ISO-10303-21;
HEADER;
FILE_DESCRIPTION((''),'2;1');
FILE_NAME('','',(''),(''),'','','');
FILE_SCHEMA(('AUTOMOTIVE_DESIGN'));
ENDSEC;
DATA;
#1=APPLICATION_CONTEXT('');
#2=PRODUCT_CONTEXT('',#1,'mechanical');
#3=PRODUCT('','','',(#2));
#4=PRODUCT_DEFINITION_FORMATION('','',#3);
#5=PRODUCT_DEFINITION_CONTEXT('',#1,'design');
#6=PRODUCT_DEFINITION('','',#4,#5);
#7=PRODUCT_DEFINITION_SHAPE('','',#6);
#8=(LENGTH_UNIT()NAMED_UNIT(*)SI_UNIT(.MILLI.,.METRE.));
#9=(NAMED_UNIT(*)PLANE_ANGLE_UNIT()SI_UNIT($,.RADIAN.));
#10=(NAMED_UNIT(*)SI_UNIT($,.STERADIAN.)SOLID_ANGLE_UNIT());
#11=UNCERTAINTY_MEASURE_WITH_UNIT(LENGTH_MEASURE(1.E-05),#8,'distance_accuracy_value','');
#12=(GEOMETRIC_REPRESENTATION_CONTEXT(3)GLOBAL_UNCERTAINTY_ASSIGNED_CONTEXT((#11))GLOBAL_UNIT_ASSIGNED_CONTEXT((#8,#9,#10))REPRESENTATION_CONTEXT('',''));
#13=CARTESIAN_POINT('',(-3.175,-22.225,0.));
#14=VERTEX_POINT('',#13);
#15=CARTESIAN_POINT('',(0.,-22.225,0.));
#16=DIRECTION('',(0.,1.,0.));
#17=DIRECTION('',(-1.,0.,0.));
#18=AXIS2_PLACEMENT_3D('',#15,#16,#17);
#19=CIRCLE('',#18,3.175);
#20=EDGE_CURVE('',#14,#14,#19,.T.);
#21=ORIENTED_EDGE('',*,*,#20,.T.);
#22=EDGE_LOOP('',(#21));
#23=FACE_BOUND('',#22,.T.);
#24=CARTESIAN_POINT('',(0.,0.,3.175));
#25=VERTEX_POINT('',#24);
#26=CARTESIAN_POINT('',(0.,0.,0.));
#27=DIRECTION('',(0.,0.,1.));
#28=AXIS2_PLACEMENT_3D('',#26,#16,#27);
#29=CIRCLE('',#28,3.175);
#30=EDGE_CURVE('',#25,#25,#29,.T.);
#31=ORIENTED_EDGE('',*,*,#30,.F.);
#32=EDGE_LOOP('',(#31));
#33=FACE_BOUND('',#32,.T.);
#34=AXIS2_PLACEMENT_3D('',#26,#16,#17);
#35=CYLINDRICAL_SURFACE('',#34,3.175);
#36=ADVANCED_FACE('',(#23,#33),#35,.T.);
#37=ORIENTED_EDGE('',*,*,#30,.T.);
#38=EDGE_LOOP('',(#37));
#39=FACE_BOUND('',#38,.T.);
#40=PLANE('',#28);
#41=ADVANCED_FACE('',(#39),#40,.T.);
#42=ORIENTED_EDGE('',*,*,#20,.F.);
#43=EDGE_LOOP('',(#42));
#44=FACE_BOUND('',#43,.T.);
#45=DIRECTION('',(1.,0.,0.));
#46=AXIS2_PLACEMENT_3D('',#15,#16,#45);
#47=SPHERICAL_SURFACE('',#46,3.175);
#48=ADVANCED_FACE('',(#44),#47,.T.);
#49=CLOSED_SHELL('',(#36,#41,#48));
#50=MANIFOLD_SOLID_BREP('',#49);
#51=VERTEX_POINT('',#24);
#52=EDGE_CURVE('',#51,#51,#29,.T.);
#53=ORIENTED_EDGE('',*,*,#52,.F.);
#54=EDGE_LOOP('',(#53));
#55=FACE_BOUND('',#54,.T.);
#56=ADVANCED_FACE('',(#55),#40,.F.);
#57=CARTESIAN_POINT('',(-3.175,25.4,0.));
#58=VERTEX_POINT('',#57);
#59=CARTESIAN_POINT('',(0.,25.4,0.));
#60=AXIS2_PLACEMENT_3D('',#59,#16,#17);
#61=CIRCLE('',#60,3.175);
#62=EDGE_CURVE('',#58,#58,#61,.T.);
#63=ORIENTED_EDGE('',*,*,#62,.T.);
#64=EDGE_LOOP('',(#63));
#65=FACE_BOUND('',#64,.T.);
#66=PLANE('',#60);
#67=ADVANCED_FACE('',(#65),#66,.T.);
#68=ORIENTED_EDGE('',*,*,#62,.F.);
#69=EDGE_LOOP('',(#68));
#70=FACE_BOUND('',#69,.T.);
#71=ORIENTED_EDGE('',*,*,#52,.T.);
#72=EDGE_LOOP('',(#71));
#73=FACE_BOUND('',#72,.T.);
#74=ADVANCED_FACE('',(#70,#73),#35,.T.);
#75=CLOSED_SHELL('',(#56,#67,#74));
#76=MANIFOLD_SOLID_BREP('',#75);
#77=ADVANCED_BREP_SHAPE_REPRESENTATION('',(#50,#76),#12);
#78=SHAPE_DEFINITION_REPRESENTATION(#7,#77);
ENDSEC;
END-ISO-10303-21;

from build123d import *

# Parameters (mm, degrees)
SKETCH3_R           = 3.175
BOSS_EXTRUDE1_DEPTH = 25.4


with BuildPart() as part:
    # Sketch1 → Revolve1 (revolve)
    with BuildSketch(Plane.XY, mode=Mode.PRIVATE) as revolve1_sk:
        with BuildLine():
            Line((0, 0), (3.175, 0))
            Line((3.175, 0), (3.175, -22.225))
            ThreePointArc((3.175, -22.225), (2.24506403, -24.47006403), (0, -25.4))
            Line((0, -25.4), (0, 0))
        make_face()
    revolve(revolve1_sk.sketch.rotate(Axis((0, 0, 0), (0, -1, 0)), 180), axis=Axis((0, 0, 0), (0, -1, 0)))

    # Sketch3 → Boss-Extrude1 (add)
    with BuildSketch(Plane(origin=(0, 0, 0), x_dir=(1, 0, 0), z_dir=(0, 1, 0))):
        with Locations(Location((0, 0, 0), (0, 0, 180))):
            Circle(SKETCH3_R)
    extrude(amount=BOSS_EXTRUDE1_DEPTH)


with BuildPart() as body_2:
    # Split1: the piece on the far side of the plane
    add(part.part)
    split(bisect_by=Plane.ZX, keep=Keep.BOTTOM)


with BuildPart() as part_1:
    add(part.part)

    # Split1
    split(bisect_by=Plane.ZX, keep=Keep.TOP)


solid = Compound([body_2.part, part_1.part])
